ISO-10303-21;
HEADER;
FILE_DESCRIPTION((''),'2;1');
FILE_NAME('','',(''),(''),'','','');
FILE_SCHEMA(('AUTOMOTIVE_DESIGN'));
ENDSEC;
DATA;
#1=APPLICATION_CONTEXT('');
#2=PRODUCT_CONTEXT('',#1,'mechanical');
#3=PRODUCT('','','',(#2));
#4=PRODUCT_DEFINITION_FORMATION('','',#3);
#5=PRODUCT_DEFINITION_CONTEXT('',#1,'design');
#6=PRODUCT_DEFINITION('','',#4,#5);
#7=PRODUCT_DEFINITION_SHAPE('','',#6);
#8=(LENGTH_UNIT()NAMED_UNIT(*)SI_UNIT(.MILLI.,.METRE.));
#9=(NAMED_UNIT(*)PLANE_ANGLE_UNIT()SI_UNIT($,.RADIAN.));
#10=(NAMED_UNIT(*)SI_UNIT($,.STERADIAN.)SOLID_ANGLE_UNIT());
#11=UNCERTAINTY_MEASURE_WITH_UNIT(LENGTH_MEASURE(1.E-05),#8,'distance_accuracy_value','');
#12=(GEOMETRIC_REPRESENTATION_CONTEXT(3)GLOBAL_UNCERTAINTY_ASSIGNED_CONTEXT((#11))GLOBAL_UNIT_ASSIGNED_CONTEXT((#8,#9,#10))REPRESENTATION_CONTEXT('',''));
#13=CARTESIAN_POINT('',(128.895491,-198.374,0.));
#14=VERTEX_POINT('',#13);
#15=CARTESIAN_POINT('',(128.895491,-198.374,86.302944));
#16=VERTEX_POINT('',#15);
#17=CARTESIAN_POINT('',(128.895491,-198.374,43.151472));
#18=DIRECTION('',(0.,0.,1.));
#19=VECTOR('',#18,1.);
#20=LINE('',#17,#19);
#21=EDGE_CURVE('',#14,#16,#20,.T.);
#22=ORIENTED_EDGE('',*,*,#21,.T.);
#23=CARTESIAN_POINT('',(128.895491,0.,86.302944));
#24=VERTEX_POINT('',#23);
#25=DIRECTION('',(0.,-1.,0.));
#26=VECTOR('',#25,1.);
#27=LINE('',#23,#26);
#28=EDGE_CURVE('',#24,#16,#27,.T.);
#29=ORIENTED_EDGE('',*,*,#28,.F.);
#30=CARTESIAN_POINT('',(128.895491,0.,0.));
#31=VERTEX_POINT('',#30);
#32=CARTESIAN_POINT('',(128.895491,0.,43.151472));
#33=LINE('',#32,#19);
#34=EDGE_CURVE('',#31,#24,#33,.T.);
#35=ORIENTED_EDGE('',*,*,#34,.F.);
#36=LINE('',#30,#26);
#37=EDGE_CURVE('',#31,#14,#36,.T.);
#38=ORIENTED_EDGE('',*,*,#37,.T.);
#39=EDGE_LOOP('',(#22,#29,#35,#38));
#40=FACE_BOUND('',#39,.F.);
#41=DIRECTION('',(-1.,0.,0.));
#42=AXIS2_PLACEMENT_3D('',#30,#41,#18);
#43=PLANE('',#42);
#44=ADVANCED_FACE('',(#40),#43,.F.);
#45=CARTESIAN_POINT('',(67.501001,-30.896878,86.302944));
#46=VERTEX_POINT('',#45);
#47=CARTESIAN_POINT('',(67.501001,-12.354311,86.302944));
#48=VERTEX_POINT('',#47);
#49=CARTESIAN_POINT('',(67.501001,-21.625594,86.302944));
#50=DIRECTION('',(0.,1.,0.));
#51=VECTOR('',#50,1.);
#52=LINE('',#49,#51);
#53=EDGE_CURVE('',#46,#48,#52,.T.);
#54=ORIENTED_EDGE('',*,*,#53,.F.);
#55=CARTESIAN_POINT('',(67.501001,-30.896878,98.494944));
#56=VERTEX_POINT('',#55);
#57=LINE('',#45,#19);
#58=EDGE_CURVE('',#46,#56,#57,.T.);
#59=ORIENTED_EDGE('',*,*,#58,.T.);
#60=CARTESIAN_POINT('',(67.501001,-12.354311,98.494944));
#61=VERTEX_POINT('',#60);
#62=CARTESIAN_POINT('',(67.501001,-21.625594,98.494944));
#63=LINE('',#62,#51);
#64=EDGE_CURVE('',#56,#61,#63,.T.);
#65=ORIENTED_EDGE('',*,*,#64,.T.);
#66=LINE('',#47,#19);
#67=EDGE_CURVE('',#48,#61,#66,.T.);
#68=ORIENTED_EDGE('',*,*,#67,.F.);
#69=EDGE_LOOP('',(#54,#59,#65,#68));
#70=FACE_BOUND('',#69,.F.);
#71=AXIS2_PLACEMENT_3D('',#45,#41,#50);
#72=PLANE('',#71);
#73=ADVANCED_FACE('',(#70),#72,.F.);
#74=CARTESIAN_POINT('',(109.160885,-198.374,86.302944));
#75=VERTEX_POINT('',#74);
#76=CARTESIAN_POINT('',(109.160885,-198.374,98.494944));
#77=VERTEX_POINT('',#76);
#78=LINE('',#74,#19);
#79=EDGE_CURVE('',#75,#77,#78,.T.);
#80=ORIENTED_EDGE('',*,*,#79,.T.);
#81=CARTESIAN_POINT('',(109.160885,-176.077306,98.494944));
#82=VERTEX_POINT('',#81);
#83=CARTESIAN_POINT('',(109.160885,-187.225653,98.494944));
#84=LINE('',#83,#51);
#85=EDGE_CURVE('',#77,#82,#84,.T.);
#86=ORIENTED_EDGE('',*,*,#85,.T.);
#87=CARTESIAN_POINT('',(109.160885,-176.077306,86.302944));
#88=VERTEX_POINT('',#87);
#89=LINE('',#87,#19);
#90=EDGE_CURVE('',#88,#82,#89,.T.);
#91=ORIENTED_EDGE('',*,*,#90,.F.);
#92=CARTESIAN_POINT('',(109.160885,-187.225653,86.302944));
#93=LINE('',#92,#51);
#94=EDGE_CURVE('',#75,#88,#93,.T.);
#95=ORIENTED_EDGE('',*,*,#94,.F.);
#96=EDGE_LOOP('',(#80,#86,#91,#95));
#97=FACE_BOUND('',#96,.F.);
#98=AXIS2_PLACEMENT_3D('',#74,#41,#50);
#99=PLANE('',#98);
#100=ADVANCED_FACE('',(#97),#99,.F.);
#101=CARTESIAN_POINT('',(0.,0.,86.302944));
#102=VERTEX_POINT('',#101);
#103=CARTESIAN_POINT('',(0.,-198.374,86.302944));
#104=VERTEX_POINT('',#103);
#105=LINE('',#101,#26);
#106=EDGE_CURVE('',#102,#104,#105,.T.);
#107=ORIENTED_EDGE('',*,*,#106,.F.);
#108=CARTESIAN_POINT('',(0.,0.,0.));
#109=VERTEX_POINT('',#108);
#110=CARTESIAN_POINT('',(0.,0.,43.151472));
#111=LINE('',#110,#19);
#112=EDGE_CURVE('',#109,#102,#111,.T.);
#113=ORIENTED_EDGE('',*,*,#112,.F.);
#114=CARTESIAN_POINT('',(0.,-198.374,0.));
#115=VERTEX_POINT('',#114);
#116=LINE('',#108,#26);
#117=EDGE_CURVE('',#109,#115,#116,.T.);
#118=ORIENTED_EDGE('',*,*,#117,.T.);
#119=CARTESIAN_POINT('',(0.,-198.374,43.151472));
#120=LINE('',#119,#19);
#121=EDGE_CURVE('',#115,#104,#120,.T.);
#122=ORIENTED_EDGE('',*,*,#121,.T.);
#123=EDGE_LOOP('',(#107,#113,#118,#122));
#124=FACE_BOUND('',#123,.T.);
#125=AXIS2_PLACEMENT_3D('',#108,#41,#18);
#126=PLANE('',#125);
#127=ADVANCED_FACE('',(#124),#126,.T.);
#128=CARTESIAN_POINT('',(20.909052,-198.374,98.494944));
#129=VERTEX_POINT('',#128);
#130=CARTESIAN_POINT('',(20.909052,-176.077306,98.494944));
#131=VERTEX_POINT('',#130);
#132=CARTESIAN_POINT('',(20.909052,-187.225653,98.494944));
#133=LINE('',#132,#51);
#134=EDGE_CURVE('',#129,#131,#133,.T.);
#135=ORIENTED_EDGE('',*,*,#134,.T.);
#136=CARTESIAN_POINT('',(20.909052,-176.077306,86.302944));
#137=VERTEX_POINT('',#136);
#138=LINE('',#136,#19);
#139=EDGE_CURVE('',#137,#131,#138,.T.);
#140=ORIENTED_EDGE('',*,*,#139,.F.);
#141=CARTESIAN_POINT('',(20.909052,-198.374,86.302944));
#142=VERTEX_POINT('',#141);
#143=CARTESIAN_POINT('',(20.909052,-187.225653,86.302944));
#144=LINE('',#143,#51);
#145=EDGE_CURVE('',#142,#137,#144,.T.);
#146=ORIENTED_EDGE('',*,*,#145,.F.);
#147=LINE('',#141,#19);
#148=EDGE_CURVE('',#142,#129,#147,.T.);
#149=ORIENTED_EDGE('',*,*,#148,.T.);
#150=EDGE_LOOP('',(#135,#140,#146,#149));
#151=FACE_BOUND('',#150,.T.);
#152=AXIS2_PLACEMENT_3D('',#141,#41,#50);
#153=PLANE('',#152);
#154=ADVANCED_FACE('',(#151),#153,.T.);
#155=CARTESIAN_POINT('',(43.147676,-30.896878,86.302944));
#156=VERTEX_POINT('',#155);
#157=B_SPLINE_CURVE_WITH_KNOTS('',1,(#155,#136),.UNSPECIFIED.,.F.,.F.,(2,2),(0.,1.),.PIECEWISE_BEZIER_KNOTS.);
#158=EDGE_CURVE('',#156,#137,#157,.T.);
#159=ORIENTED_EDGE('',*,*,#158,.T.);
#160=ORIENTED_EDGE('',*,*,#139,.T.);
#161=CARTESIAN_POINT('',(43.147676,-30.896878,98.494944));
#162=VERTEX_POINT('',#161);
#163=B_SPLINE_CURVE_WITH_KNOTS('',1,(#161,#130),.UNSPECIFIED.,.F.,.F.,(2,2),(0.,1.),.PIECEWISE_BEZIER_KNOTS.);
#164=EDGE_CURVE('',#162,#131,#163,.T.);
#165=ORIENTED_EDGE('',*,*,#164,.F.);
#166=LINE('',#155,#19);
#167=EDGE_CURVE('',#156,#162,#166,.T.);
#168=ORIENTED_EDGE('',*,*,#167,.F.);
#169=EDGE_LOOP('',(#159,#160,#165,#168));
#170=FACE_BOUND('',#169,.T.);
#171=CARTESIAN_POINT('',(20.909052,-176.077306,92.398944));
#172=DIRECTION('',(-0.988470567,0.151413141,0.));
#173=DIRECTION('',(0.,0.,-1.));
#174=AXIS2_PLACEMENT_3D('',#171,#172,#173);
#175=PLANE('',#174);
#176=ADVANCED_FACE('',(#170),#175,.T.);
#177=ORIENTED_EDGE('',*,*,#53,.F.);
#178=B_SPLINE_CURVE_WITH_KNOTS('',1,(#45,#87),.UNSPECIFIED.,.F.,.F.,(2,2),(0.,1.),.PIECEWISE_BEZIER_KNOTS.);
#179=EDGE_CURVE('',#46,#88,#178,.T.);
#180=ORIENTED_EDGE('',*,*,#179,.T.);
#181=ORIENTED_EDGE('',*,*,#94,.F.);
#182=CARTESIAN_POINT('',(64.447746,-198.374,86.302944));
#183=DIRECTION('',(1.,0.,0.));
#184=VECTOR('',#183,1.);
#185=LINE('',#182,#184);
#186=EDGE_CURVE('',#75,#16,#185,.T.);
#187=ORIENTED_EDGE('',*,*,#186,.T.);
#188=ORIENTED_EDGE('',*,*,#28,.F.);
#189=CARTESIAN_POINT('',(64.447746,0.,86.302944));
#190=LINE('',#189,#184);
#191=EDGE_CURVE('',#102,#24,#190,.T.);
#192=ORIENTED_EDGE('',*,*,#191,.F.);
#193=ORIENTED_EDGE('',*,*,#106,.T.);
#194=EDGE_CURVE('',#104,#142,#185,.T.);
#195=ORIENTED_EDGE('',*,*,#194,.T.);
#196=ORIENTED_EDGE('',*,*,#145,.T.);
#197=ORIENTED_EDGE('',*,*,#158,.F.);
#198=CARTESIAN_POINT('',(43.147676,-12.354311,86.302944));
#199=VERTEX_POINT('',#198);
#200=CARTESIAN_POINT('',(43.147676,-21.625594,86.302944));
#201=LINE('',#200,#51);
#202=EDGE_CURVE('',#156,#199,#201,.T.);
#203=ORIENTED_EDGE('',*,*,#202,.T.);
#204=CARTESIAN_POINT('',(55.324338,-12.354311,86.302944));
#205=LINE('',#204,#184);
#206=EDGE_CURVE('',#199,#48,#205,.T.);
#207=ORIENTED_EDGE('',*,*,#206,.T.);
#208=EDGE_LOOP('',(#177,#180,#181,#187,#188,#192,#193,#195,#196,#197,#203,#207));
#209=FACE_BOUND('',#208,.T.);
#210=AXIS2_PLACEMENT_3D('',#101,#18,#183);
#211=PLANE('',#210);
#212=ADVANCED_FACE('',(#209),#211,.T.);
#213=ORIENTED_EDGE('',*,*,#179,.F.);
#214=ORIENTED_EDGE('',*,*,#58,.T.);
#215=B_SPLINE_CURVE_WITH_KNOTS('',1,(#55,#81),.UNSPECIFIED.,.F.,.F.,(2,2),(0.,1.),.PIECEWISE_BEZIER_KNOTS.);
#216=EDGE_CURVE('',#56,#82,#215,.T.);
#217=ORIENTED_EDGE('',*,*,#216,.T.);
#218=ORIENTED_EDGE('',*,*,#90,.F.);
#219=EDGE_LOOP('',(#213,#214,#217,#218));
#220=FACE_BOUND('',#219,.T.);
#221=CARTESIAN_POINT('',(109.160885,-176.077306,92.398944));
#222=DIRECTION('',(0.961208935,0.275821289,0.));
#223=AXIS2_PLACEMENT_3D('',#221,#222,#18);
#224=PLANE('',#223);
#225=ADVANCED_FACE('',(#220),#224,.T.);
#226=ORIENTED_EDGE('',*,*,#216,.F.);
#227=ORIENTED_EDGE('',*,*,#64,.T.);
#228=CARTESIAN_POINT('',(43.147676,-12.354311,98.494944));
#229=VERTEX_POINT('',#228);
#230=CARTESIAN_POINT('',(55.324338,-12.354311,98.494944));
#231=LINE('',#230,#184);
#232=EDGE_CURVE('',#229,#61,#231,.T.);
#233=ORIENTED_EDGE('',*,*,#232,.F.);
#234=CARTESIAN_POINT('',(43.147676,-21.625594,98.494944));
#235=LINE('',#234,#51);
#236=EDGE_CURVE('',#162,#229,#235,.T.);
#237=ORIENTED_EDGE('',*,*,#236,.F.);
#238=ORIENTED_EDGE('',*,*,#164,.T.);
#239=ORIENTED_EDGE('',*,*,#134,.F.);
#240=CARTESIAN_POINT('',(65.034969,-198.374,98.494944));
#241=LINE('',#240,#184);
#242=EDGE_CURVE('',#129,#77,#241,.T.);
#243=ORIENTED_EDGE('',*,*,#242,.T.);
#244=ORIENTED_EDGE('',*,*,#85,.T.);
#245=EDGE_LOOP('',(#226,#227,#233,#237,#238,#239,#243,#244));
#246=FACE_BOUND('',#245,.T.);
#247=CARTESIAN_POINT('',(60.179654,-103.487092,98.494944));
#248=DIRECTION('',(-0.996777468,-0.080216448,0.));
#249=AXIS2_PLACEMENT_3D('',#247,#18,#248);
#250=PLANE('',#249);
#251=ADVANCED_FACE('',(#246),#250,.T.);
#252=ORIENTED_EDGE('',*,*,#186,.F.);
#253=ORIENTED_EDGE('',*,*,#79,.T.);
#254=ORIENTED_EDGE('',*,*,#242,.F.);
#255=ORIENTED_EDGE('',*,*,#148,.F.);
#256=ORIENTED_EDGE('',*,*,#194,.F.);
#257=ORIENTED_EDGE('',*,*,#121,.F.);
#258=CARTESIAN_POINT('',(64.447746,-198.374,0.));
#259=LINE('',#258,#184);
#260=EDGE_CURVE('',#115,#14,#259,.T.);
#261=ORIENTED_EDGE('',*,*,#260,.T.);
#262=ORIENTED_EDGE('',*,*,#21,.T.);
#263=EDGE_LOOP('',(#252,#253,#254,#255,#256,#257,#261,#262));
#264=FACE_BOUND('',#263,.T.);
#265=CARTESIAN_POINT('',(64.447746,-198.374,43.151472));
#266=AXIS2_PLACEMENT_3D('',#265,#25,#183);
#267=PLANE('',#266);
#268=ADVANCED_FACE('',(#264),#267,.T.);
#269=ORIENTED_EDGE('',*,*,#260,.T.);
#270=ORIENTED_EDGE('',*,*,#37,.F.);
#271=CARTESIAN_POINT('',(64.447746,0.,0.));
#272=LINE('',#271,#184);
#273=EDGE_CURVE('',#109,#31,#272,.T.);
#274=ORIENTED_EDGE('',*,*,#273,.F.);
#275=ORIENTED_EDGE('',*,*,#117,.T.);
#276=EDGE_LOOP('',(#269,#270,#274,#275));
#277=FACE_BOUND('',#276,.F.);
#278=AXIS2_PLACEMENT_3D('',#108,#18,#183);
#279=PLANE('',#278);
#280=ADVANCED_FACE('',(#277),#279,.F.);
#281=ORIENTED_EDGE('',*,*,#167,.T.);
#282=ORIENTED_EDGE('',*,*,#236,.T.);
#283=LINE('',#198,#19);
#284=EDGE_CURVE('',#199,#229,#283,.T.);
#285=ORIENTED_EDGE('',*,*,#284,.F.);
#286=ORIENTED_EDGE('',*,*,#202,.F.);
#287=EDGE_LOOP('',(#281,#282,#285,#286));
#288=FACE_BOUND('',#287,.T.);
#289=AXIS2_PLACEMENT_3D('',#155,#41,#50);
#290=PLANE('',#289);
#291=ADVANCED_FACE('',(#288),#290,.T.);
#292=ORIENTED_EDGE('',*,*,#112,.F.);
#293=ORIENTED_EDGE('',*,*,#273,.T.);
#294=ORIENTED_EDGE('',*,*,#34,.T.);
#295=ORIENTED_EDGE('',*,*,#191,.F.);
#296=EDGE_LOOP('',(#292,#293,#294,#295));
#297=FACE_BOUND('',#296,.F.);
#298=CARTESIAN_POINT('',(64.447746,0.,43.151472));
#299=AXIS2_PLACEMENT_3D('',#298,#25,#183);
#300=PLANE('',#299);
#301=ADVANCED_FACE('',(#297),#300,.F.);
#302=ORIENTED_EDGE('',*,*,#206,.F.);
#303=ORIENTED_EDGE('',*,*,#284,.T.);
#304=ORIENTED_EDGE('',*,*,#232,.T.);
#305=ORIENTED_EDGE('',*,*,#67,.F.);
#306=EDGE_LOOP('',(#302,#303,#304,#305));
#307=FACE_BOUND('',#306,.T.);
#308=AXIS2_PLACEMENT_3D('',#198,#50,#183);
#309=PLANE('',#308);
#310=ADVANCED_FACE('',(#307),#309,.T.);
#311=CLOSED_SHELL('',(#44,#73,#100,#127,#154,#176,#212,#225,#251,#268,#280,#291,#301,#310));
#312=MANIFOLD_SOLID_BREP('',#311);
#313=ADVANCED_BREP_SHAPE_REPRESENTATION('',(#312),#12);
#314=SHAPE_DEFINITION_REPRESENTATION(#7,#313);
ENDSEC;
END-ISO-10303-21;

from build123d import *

# Parameters (mm, degrees)
F0_W       = 128.8954913616
F0_H       = 86.3029435277
F1_DEPTH   = 198.374
F2_W       = 88.2518328726
F2_H       = 22.2966937294
F2_W_2     = 24.353325367
F2_H_2     = 18.542567268
F3_DEPTH   = 12.192
F3_FACE_W  = 24.353325367
F3_FACE_H  = 12.192
F3_FACE1_W = 88.2518328726
F3_FACE1_H = 12.192


with BuildPart() as f1:
    # F0 (on Front) → F1 (new body)
    with BuildSketch(Plane.XZ):
        with Locations((64.4477456808, 43.1514717638)):
            Rectangle(F0_W, F0_H)
    extrude(amount=F1_DEPTH)

    # F2 (on face) → F3 (join)
    with BuildSketch(Plane.XY.offset(86.3029435277)):
        with Locations((65.0349687785, -187.2256531353)):
            Rectangle(F2_W, F2_H)
        with Locations((55.3243383765, -21.625594236)):
            Rectangle(F2_W_2, F2_H_2)
    extrude(amount=F3_DEPTH)

    # F3_face (on face) → F4 section 0
    with BuildSketch(Plane(origin=(55.3243383765, -30.89687787, 92.3989435277), x_dir=(1, 0, 0), z_dir=(0, -1, 0))):
        Rectangle(F3_FACE_W, F3_FACE_H)
    # F3_face1 (on face) → F4 section 1
    with BuildSketch(Plane(origin=(65.0349687785, -176.0773062706, 92.3989435277), x_dir=(-1, 0, 0), z_dir=(0, 1, 0))):
        Rectangle(F3_FACE1_W, F3_FACE1_H)
    loft()


solid = f1.part
